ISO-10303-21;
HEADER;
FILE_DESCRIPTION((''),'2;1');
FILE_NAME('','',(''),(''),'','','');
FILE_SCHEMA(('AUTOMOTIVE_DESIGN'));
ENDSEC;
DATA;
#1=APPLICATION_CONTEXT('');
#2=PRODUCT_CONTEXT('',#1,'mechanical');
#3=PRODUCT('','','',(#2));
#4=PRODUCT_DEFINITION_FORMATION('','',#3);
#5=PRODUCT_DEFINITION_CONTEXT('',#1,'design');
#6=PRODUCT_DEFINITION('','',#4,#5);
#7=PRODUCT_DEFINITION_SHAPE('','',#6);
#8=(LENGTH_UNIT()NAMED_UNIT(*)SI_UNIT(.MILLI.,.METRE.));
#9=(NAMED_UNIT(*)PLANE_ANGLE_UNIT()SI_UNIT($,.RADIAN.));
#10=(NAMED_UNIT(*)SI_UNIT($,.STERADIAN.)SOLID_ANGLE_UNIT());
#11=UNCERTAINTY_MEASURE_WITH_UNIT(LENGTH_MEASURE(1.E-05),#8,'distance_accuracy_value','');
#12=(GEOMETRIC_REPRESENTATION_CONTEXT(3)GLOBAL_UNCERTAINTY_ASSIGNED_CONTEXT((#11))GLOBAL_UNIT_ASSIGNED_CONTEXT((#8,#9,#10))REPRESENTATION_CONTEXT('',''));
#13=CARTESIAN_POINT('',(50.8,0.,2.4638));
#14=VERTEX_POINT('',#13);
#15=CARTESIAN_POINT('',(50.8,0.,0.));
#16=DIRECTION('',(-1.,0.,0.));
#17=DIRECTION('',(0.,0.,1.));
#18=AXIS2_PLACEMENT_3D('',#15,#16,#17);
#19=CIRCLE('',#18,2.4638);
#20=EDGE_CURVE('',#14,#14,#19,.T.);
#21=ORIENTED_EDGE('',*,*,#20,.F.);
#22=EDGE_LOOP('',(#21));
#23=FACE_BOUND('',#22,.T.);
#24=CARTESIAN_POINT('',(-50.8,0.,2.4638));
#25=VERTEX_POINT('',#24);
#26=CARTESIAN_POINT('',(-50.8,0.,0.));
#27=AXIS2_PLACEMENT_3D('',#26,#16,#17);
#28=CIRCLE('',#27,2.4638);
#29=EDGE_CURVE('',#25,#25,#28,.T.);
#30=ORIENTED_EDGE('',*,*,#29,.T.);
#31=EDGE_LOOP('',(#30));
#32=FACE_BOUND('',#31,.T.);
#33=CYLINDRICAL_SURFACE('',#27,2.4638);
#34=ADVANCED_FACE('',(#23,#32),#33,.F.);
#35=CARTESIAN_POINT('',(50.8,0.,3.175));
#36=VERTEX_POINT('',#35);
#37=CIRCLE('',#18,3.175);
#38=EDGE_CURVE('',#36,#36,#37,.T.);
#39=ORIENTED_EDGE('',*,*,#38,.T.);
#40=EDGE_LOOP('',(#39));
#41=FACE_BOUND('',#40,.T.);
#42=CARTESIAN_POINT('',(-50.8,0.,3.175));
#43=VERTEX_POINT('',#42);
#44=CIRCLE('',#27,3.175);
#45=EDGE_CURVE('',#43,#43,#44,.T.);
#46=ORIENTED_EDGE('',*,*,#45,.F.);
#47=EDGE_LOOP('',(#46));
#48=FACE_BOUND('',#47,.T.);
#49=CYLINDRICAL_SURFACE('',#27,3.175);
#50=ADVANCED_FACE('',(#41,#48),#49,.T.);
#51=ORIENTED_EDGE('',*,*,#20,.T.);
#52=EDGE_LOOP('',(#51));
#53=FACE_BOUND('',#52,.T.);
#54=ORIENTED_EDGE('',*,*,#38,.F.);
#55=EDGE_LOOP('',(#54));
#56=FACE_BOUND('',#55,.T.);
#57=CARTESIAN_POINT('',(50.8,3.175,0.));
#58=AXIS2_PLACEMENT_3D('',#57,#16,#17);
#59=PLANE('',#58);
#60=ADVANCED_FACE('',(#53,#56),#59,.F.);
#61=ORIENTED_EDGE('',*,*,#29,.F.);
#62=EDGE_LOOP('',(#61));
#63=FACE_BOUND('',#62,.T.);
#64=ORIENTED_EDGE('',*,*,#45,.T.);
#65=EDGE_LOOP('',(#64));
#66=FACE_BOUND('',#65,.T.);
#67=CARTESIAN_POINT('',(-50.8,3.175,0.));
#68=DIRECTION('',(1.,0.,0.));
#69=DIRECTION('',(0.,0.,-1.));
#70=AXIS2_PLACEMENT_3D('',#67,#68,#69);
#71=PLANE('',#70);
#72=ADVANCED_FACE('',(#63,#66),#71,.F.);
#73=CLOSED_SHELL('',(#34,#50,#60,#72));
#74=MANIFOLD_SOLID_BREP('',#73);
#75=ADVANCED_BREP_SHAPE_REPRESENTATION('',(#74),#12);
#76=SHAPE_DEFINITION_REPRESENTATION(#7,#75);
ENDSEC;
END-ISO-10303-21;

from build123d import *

# Parameters (mm, degrees)
SKETCH3_W = 101.6
SKETCH3_H = 0.7112


with BuildPart() as part:
    # Sketch3 → Revolve1 (revolve)
    with BuildSketch(Plane.XY, mode=Mode.PRIVATE) as revolve1_sk:
        with Locations((0, 2.8194)):
            Rectangle(SKETCH3_W, SKETCH3_H)
    revolve(revolve1_sk.sketch.rotate(Axis((-50.8, 0, 0), (1, 0, 0)), 90), axis=Axis((-50.8, 0, 0), (1, 0, 0)))


solid = part.part
